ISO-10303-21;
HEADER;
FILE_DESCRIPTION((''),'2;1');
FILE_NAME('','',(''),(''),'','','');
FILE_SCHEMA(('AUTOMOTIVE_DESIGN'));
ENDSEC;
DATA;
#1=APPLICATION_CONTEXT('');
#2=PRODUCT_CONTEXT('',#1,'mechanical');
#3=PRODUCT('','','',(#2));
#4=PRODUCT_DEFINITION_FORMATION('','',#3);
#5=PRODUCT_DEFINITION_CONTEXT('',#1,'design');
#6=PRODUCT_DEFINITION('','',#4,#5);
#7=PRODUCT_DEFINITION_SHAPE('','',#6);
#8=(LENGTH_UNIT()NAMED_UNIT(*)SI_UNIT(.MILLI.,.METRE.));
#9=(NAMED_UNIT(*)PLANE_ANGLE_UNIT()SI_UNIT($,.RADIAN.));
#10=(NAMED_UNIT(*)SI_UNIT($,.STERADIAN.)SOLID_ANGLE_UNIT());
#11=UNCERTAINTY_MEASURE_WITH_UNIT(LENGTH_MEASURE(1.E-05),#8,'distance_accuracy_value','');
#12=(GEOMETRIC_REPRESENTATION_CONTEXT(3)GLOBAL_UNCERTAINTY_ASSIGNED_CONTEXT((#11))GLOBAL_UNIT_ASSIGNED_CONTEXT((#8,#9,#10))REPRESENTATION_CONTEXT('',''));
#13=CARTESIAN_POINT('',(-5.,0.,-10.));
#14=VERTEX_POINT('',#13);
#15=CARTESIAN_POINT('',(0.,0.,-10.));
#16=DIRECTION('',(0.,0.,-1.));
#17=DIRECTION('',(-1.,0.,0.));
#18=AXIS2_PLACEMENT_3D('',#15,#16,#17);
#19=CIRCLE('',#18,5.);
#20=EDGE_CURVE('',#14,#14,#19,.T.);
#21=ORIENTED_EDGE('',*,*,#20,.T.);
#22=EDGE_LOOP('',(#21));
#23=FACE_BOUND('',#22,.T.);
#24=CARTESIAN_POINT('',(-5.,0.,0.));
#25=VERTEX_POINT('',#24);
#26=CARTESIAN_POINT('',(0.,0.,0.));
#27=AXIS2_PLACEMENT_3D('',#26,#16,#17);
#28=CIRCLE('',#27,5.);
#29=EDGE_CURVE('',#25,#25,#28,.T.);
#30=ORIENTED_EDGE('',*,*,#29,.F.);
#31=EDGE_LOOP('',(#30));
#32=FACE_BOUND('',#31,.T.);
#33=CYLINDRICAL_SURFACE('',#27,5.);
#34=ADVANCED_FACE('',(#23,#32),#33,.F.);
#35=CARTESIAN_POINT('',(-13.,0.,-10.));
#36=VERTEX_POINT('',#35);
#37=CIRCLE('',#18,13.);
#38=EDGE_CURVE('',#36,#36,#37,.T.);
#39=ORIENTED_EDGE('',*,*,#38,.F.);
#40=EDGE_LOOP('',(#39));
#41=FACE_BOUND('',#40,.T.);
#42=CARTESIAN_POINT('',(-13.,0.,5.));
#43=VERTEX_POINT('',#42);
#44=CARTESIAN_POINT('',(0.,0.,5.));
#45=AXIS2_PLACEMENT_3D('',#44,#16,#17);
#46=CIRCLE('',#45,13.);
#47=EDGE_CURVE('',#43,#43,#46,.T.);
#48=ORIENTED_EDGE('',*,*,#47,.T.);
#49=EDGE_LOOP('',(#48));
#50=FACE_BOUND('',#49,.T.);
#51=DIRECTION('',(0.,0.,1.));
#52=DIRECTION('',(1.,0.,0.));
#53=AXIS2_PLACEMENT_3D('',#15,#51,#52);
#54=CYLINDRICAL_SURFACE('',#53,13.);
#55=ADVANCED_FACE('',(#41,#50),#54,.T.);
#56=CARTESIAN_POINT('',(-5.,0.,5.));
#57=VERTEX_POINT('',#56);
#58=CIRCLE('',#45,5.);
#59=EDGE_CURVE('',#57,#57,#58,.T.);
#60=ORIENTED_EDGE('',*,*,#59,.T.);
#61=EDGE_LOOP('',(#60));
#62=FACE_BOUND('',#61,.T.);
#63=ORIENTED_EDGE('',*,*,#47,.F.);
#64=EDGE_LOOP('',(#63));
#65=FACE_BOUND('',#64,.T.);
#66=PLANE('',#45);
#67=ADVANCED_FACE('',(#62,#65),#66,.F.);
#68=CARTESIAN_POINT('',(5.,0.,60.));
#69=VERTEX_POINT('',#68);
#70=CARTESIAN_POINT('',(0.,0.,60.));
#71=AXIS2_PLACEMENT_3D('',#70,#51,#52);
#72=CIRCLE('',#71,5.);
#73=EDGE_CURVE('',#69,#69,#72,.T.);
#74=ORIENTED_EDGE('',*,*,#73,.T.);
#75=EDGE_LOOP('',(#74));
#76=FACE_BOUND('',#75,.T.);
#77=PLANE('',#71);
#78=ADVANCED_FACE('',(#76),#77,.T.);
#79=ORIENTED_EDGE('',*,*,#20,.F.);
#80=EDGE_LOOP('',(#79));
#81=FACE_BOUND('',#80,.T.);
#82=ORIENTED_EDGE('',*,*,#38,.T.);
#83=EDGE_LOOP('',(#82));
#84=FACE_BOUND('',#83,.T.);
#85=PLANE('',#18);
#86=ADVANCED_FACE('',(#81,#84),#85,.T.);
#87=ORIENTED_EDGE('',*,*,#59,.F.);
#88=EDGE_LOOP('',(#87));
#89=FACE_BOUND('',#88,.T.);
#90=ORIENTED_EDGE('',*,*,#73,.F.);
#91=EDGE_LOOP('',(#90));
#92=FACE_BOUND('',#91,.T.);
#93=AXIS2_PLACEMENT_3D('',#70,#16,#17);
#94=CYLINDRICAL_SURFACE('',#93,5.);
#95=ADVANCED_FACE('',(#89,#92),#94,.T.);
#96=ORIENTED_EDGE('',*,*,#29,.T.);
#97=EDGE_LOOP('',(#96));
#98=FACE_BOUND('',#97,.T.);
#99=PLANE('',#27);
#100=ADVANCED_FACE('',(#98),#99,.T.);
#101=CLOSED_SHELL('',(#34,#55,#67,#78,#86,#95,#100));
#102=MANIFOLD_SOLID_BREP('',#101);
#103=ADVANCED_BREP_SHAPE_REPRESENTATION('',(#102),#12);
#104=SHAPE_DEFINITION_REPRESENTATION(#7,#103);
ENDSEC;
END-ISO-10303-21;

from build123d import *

# Parameters (mm, degrees)
SKETCH1_R           = 5
BOSS_EXTRUDE1_DEPTH = 60
SKETCH2_R           = 13
BOSS_EXTRUDE2_DEPTH = 15
SKETCH3_R           = 5
CUT_EXTRUDE2_DEPTH  = 10


with BuildPart() as part:
    # Sketch1 → Boss-Extrude1 (new body)
    with BuildSketch(Plane.XY):
        Circle(SKETCH1_R)
    extrude(amount=BOSS_EXTRUDE1_DEPTH)

    # Sketch2 → Boss-Extrude2 (add)
    with BuildSketch(Plane(origin=(0, 0, 5), x_dir=(-1, 0, 0), z_dir=(0, 0, -1))):
        Circle(SKETCH2_R)
    extrude(amount=BOSS_EXTRUDE2_DEPTH)

    # Sketch3 → Cut-Extrude2 (cut)
    with BuildSketch(Plane(origin=(0, 0, -10), x_dir=(-1, 0, 0), z_dir=(0, 0, -1))):
        Circle(SKETCH3_R)
    extrude(amount=-CUT_EXTRUDE2_DEPTH, mode=Mode.SUBTRACT)


solid = part.part
